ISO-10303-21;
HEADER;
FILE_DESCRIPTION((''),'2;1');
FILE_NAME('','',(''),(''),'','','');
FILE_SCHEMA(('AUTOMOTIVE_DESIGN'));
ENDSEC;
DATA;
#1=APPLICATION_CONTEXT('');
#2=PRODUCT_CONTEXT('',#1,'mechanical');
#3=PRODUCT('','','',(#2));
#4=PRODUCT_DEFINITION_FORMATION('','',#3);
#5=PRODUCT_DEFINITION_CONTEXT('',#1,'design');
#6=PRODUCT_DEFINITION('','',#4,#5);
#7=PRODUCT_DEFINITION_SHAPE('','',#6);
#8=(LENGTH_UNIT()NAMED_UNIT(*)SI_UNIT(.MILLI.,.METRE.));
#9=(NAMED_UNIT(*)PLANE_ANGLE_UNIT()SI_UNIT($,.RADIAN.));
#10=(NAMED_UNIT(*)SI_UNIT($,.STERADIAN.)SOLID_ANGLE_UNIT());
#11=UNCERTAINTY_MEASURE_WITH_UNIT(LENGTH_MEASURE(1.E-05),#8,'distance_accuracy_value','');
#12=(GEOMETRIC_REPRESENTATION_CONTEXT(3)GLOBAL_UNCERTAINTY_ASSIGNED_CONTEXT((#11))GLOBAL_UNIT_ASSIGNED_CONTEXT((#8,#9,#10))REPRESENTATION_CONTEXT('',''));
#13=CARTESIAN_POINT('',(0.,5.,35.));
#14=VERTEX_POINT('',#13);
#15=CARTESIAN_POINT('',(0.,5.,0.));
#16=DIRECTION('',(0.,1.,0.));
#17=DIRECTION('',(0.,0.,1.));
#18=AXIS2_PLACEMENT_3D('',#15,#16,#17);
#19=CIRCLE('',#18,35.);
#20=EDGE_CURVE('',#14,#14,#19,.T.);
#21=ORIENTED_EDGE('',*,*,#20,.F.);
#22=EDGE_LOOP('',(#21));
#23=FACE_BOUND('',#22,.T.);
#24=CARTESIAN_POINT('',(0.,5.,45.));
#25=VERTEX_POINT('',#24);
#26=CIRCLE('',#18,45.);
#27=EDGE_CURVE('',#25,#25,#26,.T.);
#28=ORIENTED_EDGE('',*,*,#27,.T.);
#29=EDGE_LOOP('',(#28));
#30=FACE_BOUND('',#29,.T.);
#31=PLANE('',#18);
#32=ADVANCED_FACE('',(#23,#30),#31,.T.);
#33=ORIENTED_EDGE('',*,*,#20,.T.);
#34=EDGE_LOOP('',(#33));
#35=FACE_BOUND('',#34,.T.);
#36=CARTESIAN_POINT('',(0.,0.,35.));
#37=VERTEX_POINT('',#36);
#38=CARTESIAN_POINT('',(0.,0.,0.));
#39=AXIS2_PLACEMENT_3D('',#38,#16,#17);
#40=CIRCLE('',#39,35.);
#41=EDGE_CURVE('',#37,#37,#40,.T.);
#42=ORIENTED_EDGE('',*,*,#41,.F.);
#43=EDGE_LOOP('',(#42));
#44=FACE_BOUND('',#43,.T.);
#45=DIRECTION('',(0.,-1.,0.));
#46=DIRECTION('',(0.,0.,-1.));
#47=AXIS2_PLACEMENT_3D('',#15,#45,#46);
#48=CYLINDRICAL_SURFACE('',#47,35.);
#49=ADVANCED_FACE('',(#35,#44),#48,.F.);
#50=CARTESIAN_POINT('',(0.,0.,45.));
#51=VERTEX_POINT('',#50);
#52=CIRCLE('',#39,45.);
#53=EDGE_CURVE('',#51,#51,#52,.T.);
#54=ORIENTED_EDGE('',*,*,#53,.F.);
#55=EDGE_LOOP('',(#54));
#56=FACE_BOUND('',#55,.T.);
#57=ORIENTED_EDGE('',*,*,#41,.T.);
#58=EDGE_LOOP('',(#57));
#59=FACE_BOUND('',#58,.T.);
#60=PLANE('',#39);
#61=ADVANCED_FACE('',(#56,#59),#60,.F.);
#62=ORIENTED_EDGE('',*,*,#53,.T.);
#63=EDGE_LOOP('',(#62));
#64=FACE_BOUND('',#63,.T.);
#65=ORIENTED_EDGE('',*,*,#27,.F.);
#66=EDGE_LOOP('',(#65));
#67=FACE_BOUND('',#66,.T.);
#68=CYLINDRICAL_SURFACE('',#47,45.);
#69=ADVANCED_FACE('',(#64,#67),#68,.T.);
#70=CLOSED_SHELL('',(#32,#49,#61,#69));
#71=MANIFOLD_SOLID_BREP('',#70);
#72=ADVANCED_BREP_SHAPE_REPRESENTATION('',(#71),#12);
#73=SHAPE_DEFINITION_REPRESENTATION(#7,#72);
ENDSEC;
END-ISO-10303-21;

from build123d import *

# Parameters (mm, degrees)
CROQUIS1_R              = 45
CROQUIS1_R_2            = 35
SALIENTE_EXTRUIR1_DEPTH = 5


with BuildPart() as part:
    # Croquis1 → Saliente-Extruir1 (new body)
    with BuildSketch(Plane(origin=(0, 0, 0), x_dir=(1, 0, 0), z_dir=(0, 1, 0))):
        Circle(CROQUIS1_R)
        Circle(CROQUIS1_R_2, mode=Mode.SUBTRACT)
    extrude(amount=SALIENTE_EXTRUIR1_DEPTH)


solid = part.part
